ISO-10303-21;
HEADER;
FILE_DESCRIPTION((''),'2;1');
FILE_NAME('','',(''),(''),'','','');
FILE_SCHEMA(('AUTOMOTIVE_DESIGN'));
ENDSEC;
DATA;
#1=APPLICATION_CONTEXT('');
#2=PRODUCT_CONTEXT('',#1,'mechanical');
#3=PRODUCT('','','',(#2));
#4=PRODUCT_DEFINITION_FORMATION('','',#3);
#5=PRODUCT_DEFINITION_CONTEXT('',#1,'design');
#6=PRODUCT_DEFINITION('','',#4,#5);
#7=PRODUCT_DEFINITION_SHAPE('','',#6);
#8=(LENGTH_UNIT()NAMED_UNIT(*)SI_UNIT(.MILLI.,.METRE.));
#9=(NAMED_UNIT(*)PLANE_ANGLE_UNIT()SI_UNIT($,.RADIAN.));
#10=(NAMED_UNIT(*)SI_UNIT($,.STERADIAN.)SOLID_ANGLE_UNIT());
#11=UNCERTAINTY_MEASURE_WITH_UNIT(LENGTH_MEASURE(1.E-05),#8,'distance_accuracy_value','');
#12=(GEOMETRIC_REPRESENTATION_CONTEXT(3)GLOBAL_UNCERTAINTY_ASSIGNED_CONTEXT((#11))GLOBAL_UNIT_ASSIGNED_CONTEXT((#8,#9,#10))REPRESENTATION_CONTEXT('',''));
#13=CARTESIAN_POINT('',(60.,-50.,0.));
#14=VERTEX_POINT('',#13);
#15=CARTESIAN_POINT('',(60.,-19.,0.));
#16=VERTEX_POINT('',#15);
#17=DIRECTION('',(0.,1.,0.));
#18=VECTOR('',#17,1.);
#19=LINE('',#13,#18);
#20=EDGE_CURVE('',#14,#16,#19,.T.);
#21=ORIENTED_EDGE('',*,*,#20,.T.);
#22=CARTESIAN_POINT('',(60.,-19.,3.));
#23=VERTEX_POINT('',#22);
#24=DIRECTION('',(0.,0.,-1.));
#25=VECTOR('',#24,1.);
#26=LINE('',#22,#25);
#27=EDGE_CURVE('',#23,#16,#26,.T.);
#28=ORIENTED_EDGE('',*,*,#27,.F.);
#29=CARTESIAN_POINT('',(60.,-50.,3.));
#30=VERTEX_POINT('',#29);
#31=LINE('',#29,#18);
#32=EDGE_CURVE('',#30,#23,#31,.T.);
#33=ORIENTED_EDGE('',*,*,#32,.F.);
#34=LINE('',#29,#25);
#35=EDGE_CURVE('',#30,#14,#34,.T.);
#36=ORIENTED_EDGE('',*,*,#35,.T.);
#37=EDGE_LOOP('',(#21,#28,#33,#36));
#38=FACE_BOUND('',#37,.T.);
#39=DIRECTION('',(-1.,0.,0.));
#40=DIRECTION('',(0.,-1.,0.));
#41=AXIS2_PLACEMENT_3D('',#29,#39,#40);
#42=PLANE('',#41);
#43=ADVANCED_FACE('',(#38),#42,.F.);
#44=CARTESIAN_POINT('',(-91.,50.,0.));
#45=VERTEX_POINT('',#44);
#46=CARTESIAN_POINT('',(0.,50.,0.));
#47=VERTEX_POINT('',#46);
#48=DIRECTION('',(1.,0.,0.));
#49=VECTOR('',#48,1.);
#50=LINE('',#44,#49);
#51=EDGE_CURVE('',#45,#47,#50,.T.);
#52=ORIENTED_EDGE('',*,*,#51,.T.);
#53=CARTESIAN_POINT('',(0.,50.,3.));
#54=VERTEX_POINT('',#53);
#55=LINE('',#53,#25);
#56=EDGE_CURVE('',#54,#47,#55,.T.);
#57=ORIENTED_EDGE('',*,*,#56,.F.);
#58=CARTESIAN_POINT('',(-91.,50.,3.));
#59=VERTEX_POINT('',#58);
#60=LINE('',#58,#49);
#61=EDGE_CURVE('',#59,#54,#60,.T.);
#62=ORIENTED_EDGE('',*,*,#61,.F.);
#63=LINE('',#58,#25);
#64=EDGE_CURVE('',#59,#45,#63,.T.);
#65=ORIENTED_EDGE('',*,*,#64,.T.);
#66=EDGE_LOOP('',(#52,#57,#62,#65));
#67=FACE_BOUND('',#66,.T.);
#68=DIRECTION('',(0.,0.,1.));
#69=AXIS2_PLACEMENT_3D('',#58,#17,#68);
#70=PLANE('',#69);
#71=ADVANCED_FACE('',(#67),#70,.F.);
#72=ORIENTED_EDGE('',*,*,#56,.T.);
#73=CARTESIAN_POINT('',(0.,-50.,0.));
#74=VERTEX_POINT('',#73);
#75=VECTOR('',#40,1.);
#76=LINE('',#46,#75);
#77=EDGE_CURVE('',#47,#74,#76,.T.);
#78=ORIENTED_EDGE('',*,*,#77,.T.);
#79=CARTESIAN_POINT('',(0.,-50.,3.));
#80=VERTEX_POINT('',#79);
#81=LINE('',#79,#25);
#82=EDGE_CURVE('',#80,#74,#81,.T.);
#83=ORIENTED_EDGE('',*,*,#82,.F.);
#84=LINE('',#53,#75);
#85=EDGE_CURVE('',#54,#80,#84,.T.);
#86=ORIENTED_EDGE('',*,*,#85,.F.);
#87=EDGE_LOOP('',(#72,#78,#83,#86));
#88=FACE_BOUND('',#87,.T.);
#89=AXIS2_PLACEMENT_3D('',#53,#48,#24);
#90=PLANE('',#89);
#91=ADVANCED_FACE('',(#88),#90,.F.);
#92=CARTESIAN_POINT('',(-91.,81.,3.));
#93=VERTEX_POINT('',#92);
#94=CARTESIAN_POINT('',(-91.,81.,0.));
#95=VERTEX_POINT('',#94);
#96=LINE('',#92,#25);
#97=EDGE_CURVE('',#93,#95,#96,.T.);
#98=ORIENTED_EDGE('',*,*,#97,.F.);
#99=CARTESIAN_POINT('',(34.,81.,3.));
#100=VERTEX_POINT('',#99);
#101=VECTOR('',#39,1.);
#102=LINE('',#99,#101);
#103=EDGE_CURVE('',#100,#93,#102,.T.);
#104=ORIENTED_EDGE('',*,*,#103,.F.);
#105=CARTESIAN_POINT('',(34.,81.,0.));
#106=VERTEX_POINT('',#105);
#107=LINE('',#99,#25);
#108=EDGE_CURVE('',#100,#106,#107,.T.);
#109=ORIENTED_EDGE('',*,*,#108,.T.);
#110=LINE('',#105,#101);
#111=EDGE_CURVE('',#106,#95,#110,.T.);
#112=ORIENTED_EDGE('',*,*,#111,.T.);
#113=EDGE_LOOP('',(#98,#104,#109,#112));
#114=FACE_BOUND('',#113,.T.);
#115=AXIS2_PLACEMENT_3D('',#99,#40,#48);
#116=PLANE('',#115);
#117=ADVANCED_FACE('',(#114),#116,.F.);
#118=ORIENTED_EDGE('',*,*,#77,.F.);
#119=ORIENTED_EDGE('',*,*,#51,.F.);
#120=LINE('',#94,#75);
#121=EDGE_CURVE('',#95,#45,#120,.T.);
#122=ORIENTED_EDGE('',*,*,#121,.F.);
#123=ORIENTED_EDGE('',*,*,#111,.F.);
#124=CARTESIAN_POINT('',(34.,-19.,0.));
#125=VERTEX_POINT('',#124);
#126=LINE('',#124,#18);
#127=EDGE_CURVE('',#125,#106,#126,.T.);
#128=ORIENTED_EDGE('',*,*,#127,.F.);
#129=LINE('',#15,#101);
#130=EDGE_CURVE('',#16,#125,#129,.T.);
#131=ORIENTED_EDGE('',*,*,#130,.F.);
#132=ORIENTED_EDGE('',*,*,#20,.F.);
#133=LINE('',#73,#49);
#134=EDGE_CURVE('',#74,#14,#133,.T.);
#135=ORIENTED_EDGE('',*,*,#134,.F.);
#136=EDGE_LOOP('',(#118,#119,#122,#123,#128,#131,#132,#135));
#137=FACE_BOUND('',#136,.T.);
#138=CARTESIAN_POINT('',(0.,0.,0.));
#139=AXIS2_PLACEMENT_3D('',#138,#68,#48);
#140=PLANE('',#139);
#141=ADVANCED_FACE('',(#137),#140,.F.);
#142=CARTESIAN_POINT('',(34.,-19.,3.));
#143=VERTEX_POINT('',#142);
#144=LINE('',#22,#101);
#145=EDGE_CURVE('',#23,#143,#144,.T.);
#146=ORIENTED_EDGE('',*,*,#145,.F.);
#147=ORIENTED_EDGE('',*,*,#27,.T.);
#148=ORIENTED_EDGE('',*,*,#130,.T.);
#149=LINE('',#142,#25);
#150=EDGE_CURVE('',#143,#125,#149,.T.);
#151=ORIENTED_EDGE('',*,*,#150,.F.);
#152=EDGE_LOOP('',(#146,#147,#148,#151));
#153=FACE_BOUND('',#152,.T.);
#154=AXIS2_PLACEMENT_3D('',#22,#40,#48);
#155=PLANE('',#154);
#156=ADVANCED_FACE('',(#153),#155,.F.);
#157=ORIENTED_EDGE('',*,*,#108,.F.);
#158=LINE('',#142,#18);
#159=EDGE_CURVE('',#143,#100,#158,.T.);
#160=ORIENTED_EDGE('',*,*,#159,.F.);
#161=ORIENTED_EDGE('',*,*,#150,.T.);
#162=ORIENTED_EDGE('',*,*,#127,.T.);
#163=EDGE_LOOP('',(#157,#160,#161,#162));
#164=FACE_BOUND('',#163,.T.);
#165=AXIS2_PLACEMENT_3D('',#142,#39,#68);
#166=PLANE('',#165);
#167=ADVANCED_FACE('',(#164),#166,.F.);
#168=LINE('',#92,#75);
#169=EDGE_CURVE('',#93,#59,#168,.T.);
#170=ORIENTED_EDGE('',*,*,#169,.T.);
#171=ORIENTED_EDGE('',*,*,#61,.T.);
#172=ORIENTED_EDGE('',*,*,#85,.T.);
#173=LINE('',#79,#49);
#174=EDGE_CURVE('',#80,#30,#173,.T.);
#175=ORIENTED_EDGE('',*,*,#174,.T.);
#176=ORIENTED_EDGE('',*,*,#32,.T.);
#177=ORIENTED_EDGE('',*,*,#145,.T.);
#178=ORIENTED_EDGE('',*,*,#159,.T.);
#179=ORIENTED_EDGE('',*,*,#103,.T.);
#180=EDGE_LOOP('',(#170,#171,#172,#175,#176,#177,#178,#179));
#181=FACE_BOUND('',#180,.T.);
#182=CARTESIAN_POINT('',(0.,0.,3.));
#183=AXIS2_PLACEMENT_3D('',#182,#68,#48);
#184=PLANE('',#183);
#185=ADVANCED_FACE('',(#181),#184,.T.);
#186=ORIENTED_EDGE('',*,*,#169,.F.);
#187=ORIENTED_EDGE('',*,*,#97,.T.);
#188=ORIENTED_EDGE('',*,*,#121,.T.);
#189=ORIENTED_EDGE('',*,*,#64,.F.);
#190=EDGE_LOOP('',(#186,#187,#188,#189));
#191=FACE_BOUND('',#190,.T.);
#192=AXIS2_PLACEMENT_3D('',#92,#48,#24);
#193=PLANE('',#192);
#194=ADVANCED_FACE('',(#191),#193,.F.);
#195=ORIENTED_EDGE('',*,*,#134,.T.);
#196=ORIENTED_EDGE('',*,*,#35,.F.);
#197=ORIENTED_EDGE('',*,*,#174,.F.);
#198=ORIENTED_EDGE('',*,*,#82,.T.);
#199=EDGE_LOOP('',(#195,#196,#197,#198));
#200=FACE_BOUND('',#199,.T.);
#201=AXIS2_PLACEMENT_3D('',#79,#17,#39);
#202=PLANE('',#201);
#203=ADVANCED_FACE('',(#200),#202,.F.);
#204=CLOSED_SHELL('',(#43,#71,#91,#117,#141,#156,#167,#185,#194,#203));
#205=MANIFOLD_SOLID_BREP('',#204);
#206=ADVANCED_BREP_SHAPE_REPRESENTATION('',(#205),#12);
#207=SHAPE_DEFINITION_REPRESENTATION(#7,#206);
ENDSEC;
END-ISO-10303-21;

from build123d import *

# Parameters (mm, degrees)
BOSS_EXTRU_1_DEPTH = 3


with BuildPart() as part:
    # Esquisse1 → Boss.-Extru.1 (new body)
    with BuildSketch(Plane.XY):
        Polygon((-91, 81), (-91, 50), (0, 50), (0, -50), (60, -50), (60, -19), (34, -19), (34, 81), align=None)
    extrude(amount=BOSS_EXTRU_1_DEPTH)


solid = part.part
